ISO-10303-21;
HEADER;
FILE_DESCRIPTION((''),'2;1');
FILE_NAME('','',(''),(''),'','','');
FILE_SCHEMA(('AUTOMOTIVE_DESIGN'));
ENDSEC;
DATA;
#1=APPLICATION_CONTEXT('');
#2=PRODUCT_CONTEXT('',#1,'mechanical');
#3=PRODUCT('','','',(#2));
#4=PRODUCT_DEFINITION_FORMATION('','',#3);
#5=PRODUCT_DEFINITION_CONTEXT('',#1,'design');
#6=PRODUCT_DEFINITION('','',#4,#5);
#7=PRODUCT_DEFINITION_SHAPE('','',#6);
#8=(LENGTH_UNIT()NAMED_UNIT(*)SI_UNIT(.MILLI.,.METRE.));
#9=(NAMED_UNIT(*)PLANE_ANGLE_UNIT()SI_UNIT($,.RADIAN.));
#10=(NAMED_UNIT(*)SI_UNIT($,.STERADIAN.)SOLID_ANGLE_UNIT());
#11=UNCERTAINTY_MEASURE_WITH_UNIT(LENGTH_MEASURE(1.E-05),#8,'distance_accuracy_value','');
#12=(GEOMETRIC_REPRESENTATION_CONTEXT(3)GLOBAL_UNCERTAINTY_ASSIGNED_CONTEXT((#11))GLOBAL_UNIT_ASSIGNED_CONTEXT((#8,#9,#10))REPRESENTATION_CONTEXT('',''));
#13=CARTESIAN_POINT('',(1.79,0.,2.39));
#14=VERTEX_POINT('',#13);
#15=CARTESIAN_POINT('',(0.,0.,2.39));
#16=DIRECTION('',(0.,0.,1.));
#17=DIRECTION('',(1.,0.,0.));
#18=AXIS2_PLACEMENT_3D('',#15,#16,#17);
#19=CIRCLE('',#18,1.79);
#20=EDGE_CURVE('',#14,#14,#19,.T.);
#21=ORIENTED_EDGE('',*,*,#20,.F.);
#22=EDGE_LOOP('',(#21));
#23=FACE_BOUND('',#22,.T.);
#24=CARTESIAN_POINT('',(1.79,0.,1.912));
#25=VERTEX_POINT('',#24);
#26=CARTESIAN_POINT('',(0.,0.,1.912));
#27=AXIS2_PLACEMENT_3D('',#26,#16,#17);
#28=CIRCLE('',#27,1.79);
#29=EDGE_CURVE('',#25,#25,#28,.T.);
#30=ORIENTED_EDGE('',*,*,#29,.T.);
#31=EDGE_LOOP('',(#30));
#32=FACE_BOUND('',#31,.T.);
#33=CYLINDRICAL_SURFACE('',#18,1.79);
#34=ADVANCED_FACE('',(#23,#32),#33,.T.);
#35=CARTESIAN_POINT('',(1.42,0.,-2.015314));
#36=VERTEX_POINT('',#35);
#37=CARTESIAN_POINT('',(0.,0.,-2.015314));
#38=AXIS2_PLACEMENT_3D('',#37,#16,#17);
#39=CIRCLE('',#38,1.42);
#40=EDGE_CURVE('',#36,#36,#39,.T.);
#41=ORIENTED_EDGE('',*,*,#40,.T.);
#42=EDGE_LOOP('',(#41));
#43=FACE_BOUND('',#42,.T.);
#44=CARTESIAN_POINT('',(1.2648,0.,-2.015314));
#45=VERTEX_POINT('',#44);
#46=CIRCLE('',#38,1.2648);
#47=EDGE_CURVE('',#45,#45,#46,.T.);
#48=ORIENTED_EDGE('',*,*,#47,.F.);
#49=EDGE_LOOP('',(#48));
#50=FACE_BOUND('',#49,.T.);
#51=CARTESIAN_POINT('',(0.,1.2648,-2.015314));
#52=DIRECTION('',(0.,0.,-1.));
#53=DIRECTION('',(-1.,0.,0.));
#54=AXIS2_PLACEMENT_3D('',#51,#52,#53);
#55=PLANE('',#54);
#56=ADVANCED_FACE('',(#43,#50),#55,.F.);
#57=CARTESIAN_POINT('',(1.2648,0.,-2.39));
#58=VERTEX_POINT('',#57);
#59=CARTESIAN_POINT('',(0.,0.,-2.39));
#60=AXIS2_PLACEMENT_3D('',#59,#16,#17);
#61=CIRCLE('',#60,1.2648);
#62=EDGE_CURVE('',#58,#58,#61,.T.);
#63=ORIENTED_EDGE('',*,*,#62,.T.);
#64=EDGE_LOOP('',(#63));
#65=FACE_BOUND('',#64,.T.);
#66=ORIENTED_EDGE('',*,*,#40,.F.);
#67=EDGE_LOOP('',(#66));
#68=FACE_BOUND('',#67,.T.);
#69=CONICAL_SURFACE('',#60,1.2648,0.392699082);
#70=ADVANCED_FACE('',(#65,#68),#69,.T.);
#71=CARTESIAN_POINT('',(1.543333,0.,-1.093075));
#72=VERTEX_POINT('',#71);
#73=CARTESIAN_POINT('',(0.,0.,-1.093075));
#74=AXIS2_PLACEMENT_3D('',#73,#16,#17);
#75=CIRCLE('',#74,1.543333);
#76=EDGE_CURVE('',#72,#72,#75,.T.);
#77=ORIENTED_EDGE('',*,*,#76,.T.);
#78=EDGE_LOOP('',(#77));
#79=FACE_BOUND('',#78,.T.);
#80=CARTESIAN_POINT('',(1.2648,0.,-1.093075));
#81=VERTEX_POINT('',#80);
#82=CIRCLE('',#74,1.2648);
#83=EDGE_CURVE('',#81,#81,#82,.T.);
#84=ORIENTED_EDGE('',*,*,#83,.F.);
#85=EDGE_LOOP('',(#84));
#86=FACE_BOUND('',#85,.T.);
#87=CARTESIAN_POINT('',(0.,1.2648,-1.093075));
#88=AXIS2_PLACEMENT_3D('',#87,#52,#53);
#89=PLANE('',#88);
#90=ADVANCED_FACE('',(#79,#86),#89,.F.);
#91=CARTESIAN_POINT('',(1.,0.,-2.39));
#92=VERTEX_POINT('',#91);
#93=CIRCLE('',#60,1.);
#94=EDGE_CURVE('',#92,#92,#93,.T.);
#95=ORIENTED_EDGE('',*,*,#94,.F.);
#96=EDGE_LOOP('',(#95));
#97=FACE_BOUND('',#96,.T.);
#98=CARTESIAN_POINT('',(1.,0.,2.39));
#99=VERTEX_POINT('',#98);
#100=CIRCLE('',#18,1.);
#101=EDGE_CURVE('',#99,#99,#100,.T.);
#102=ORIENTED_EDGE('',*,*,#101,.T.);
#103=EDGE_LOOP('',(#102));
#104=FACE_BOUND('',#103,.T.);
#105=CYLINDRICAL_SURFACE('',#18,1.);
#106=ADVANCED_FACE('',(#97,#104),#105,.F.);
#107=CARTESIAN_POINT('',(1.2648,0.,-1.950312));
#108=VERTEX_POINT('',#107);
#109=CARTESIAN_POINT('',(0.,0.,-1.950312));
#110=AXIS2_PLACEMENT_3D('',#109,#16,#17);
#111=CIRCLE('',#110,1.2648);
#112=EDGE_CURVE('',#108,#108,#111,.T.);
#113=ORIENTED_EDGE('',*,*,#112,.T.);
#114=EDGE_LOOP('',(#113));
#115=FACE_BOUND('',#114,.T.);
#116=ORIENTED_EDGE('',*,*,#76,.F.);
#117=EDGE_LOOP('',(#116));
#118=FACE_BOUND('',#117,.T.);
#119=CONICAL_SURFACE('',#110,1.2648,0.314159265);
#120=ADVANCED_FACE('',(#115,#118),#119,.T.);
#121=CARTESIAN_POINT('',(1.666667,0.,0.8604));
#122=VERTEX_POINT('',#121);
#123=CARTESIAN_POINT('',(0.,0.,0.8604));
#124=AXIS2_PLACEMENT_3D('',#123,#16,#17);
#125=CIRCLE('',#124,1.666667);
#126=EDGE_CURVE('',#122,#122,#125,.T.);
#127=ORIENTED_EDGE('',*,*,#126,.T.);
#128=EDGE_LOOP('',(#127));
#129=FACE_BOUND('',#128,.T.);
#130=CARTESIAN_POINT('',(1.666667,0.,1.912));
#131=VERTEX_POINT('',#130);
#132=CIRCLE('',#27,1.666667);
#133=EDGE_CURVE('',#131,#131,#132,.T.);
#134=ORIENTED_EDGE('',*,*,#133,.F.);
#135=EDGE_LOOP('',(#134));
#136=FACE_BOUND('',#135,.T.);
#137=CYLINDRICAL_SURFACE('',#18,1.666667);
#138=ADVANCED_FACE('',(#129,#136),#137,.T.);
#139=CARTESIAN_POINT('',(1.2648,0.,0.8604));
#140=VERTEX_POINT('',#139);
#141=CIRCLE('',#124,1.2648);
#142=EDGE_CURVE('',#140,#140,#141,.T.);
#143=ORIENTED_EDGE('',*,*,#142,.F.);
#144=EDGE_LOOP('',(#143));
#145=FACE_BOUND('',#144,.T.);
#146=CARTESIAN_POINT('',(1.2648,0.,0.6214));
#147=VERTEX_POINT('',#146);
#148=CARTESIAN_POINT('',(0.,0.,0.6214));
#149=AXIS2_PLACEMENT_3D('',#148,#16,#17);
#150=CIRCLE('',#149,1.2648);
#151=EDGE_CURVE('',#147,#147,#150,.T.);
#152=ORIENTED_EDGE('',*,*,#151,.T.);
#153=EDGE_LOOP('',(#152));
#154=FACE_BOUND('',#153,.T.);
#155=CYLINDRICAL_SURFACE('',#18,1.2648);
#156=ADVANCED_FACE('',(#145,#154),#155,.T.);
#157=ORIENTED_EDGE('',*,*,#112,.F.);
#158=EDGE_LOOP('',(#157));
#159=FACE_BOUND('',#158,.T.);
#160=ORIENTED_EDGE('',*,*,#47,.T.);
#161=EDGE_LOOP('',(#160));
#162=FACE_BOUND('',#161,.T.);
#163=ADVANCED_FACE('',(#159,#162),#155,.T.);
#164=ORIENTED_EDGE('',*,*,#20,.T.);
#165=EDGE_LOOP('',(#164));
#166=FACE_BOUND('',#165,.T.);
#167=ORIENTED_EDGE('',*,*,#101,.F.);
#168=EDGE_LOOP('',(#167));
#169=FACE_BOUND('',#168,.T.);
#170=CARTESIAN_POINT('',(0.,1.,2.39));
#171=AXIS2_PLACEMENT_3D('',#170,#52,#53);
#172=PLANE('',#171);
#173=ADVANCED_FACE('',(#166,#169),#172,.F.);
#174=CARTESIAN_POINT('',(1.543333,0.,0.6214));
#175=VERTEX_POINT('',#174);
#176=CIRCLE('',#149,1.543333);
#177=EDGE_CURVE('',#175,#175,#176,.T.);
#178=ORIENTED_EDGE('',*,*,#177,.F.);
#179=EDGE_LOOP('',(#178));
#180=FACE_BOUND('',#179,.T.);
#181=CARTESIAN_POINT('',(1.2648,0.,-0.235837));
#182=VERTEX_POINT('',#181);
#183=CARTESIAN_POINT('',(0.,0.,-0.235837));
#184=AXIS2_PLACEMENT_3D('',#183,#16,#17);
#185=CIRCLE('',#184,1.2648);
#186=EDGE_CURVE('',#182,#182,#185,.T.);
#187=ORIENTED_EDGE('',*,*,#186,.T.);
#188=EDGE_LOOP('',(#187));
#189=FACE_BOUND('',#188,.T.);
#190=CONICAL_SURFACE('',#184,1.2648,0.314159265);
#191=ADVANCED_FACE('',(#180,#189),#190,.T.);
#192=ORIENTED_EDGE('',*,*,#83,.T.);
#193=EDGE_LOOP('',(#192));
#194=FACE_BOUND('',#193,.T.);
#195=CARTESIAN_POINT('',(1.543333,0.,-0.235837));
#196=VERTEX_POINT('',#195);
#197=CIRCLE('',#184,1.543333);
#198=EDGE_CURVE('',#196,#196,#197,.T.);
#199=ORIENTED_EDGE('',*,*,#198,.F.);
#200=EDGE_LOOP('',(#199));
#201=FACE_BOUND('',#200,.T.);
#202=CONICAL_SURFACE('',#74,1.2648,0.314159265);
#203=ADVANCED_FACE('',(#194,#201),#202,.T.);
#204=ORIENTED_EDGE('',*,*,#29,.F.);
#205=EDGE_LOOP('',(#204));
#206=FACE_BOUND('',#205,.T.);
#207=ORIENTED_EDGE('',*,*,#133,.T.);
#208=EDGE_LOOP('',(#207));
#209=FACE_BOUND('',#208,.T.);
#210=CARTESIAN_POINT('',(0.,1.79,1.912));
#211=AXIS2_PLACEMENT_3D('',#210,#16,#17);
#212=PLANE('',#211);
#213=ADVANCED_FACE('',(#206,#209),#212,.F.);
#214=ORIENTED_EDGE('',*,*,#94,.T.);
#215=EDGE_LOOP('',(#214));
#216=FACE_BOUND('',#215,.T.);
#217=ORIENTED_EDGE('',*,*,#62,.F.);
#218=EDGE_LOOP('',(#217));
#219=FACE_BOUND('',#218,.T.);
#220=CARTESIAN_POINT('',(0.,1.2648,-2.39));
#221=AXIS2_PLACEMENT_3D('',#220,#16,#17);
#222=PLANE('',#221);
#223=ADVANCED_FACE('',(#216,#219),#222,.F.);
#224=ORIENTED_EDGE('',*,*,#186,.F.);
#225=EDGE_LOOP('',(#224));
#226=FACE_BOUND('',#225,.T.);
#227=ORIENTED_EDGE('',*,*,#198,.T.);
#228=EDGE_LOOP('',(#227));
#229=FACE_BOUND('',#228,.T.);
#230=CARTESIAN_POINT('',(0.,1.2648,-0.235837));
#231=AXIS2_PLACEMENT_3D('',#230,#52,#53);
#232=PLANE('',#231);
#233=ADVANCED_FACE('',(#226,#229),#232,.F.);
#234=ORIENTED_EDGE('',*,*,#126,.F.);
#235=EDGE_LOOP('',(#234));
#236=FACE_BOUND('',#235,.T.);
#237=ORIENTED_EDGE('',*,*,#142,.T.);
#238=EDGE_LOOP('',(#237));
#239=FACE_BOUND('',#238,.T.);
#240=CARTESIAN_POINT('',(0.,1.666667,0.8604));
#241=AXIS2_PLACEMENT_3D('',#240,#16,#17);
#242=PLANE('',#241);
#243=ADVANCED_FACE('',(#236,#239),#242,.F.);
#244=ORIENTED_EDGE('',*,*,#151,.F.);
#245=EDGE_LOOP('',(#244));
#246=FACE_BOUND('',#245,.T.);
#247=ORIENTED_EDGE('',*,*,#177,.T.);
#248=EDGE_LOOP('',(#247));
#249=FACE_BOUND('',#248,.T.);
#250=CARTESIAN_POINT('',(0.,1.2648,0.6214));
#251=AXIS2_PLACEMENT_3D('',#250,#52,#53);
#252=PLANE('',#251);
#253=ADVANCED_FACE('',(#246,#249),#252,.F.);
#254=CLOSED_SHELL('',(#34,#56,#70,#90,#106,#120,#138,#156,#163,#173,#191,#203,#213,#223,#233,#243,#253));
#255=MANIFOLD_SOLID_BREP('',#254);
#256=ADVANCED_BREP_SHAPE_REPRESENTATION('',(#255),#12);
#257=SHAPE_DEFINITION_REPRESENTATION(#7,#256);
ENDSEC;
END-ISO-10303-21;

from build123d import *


with BuildPart() as part:
    # Sketch3 → Revolve1 (revolve)
    with BuildSketch(Plane(origin=(0, 0, 0), x_dir=(0, 0, -1), z_dir=(1, 0, 0))):
        Polygon((0.235837455, 1.2648), (0.235837455, 1.543333333), (1.093074909, 1.2648), (1.093074909, 1.543333333), (1.950312364, 1.2648), (2.015314055, 1.2648), (2.015314055, 1.42), (2.39, 1.2648), (2.39, 1), (-2.39, 1), (-2.39, 1.79), (-1.912, 1.79), (-1.912, 1.666666667), (-0.8604, 1.666666667), (-0.8604, 1.2648), (-0.6214, 1.2648), (-0.6214, 1.543333333), align=None)
    revolve(axis=Axis((0, 0, 2.39), (0, 0, -1)))


solid = part.part
